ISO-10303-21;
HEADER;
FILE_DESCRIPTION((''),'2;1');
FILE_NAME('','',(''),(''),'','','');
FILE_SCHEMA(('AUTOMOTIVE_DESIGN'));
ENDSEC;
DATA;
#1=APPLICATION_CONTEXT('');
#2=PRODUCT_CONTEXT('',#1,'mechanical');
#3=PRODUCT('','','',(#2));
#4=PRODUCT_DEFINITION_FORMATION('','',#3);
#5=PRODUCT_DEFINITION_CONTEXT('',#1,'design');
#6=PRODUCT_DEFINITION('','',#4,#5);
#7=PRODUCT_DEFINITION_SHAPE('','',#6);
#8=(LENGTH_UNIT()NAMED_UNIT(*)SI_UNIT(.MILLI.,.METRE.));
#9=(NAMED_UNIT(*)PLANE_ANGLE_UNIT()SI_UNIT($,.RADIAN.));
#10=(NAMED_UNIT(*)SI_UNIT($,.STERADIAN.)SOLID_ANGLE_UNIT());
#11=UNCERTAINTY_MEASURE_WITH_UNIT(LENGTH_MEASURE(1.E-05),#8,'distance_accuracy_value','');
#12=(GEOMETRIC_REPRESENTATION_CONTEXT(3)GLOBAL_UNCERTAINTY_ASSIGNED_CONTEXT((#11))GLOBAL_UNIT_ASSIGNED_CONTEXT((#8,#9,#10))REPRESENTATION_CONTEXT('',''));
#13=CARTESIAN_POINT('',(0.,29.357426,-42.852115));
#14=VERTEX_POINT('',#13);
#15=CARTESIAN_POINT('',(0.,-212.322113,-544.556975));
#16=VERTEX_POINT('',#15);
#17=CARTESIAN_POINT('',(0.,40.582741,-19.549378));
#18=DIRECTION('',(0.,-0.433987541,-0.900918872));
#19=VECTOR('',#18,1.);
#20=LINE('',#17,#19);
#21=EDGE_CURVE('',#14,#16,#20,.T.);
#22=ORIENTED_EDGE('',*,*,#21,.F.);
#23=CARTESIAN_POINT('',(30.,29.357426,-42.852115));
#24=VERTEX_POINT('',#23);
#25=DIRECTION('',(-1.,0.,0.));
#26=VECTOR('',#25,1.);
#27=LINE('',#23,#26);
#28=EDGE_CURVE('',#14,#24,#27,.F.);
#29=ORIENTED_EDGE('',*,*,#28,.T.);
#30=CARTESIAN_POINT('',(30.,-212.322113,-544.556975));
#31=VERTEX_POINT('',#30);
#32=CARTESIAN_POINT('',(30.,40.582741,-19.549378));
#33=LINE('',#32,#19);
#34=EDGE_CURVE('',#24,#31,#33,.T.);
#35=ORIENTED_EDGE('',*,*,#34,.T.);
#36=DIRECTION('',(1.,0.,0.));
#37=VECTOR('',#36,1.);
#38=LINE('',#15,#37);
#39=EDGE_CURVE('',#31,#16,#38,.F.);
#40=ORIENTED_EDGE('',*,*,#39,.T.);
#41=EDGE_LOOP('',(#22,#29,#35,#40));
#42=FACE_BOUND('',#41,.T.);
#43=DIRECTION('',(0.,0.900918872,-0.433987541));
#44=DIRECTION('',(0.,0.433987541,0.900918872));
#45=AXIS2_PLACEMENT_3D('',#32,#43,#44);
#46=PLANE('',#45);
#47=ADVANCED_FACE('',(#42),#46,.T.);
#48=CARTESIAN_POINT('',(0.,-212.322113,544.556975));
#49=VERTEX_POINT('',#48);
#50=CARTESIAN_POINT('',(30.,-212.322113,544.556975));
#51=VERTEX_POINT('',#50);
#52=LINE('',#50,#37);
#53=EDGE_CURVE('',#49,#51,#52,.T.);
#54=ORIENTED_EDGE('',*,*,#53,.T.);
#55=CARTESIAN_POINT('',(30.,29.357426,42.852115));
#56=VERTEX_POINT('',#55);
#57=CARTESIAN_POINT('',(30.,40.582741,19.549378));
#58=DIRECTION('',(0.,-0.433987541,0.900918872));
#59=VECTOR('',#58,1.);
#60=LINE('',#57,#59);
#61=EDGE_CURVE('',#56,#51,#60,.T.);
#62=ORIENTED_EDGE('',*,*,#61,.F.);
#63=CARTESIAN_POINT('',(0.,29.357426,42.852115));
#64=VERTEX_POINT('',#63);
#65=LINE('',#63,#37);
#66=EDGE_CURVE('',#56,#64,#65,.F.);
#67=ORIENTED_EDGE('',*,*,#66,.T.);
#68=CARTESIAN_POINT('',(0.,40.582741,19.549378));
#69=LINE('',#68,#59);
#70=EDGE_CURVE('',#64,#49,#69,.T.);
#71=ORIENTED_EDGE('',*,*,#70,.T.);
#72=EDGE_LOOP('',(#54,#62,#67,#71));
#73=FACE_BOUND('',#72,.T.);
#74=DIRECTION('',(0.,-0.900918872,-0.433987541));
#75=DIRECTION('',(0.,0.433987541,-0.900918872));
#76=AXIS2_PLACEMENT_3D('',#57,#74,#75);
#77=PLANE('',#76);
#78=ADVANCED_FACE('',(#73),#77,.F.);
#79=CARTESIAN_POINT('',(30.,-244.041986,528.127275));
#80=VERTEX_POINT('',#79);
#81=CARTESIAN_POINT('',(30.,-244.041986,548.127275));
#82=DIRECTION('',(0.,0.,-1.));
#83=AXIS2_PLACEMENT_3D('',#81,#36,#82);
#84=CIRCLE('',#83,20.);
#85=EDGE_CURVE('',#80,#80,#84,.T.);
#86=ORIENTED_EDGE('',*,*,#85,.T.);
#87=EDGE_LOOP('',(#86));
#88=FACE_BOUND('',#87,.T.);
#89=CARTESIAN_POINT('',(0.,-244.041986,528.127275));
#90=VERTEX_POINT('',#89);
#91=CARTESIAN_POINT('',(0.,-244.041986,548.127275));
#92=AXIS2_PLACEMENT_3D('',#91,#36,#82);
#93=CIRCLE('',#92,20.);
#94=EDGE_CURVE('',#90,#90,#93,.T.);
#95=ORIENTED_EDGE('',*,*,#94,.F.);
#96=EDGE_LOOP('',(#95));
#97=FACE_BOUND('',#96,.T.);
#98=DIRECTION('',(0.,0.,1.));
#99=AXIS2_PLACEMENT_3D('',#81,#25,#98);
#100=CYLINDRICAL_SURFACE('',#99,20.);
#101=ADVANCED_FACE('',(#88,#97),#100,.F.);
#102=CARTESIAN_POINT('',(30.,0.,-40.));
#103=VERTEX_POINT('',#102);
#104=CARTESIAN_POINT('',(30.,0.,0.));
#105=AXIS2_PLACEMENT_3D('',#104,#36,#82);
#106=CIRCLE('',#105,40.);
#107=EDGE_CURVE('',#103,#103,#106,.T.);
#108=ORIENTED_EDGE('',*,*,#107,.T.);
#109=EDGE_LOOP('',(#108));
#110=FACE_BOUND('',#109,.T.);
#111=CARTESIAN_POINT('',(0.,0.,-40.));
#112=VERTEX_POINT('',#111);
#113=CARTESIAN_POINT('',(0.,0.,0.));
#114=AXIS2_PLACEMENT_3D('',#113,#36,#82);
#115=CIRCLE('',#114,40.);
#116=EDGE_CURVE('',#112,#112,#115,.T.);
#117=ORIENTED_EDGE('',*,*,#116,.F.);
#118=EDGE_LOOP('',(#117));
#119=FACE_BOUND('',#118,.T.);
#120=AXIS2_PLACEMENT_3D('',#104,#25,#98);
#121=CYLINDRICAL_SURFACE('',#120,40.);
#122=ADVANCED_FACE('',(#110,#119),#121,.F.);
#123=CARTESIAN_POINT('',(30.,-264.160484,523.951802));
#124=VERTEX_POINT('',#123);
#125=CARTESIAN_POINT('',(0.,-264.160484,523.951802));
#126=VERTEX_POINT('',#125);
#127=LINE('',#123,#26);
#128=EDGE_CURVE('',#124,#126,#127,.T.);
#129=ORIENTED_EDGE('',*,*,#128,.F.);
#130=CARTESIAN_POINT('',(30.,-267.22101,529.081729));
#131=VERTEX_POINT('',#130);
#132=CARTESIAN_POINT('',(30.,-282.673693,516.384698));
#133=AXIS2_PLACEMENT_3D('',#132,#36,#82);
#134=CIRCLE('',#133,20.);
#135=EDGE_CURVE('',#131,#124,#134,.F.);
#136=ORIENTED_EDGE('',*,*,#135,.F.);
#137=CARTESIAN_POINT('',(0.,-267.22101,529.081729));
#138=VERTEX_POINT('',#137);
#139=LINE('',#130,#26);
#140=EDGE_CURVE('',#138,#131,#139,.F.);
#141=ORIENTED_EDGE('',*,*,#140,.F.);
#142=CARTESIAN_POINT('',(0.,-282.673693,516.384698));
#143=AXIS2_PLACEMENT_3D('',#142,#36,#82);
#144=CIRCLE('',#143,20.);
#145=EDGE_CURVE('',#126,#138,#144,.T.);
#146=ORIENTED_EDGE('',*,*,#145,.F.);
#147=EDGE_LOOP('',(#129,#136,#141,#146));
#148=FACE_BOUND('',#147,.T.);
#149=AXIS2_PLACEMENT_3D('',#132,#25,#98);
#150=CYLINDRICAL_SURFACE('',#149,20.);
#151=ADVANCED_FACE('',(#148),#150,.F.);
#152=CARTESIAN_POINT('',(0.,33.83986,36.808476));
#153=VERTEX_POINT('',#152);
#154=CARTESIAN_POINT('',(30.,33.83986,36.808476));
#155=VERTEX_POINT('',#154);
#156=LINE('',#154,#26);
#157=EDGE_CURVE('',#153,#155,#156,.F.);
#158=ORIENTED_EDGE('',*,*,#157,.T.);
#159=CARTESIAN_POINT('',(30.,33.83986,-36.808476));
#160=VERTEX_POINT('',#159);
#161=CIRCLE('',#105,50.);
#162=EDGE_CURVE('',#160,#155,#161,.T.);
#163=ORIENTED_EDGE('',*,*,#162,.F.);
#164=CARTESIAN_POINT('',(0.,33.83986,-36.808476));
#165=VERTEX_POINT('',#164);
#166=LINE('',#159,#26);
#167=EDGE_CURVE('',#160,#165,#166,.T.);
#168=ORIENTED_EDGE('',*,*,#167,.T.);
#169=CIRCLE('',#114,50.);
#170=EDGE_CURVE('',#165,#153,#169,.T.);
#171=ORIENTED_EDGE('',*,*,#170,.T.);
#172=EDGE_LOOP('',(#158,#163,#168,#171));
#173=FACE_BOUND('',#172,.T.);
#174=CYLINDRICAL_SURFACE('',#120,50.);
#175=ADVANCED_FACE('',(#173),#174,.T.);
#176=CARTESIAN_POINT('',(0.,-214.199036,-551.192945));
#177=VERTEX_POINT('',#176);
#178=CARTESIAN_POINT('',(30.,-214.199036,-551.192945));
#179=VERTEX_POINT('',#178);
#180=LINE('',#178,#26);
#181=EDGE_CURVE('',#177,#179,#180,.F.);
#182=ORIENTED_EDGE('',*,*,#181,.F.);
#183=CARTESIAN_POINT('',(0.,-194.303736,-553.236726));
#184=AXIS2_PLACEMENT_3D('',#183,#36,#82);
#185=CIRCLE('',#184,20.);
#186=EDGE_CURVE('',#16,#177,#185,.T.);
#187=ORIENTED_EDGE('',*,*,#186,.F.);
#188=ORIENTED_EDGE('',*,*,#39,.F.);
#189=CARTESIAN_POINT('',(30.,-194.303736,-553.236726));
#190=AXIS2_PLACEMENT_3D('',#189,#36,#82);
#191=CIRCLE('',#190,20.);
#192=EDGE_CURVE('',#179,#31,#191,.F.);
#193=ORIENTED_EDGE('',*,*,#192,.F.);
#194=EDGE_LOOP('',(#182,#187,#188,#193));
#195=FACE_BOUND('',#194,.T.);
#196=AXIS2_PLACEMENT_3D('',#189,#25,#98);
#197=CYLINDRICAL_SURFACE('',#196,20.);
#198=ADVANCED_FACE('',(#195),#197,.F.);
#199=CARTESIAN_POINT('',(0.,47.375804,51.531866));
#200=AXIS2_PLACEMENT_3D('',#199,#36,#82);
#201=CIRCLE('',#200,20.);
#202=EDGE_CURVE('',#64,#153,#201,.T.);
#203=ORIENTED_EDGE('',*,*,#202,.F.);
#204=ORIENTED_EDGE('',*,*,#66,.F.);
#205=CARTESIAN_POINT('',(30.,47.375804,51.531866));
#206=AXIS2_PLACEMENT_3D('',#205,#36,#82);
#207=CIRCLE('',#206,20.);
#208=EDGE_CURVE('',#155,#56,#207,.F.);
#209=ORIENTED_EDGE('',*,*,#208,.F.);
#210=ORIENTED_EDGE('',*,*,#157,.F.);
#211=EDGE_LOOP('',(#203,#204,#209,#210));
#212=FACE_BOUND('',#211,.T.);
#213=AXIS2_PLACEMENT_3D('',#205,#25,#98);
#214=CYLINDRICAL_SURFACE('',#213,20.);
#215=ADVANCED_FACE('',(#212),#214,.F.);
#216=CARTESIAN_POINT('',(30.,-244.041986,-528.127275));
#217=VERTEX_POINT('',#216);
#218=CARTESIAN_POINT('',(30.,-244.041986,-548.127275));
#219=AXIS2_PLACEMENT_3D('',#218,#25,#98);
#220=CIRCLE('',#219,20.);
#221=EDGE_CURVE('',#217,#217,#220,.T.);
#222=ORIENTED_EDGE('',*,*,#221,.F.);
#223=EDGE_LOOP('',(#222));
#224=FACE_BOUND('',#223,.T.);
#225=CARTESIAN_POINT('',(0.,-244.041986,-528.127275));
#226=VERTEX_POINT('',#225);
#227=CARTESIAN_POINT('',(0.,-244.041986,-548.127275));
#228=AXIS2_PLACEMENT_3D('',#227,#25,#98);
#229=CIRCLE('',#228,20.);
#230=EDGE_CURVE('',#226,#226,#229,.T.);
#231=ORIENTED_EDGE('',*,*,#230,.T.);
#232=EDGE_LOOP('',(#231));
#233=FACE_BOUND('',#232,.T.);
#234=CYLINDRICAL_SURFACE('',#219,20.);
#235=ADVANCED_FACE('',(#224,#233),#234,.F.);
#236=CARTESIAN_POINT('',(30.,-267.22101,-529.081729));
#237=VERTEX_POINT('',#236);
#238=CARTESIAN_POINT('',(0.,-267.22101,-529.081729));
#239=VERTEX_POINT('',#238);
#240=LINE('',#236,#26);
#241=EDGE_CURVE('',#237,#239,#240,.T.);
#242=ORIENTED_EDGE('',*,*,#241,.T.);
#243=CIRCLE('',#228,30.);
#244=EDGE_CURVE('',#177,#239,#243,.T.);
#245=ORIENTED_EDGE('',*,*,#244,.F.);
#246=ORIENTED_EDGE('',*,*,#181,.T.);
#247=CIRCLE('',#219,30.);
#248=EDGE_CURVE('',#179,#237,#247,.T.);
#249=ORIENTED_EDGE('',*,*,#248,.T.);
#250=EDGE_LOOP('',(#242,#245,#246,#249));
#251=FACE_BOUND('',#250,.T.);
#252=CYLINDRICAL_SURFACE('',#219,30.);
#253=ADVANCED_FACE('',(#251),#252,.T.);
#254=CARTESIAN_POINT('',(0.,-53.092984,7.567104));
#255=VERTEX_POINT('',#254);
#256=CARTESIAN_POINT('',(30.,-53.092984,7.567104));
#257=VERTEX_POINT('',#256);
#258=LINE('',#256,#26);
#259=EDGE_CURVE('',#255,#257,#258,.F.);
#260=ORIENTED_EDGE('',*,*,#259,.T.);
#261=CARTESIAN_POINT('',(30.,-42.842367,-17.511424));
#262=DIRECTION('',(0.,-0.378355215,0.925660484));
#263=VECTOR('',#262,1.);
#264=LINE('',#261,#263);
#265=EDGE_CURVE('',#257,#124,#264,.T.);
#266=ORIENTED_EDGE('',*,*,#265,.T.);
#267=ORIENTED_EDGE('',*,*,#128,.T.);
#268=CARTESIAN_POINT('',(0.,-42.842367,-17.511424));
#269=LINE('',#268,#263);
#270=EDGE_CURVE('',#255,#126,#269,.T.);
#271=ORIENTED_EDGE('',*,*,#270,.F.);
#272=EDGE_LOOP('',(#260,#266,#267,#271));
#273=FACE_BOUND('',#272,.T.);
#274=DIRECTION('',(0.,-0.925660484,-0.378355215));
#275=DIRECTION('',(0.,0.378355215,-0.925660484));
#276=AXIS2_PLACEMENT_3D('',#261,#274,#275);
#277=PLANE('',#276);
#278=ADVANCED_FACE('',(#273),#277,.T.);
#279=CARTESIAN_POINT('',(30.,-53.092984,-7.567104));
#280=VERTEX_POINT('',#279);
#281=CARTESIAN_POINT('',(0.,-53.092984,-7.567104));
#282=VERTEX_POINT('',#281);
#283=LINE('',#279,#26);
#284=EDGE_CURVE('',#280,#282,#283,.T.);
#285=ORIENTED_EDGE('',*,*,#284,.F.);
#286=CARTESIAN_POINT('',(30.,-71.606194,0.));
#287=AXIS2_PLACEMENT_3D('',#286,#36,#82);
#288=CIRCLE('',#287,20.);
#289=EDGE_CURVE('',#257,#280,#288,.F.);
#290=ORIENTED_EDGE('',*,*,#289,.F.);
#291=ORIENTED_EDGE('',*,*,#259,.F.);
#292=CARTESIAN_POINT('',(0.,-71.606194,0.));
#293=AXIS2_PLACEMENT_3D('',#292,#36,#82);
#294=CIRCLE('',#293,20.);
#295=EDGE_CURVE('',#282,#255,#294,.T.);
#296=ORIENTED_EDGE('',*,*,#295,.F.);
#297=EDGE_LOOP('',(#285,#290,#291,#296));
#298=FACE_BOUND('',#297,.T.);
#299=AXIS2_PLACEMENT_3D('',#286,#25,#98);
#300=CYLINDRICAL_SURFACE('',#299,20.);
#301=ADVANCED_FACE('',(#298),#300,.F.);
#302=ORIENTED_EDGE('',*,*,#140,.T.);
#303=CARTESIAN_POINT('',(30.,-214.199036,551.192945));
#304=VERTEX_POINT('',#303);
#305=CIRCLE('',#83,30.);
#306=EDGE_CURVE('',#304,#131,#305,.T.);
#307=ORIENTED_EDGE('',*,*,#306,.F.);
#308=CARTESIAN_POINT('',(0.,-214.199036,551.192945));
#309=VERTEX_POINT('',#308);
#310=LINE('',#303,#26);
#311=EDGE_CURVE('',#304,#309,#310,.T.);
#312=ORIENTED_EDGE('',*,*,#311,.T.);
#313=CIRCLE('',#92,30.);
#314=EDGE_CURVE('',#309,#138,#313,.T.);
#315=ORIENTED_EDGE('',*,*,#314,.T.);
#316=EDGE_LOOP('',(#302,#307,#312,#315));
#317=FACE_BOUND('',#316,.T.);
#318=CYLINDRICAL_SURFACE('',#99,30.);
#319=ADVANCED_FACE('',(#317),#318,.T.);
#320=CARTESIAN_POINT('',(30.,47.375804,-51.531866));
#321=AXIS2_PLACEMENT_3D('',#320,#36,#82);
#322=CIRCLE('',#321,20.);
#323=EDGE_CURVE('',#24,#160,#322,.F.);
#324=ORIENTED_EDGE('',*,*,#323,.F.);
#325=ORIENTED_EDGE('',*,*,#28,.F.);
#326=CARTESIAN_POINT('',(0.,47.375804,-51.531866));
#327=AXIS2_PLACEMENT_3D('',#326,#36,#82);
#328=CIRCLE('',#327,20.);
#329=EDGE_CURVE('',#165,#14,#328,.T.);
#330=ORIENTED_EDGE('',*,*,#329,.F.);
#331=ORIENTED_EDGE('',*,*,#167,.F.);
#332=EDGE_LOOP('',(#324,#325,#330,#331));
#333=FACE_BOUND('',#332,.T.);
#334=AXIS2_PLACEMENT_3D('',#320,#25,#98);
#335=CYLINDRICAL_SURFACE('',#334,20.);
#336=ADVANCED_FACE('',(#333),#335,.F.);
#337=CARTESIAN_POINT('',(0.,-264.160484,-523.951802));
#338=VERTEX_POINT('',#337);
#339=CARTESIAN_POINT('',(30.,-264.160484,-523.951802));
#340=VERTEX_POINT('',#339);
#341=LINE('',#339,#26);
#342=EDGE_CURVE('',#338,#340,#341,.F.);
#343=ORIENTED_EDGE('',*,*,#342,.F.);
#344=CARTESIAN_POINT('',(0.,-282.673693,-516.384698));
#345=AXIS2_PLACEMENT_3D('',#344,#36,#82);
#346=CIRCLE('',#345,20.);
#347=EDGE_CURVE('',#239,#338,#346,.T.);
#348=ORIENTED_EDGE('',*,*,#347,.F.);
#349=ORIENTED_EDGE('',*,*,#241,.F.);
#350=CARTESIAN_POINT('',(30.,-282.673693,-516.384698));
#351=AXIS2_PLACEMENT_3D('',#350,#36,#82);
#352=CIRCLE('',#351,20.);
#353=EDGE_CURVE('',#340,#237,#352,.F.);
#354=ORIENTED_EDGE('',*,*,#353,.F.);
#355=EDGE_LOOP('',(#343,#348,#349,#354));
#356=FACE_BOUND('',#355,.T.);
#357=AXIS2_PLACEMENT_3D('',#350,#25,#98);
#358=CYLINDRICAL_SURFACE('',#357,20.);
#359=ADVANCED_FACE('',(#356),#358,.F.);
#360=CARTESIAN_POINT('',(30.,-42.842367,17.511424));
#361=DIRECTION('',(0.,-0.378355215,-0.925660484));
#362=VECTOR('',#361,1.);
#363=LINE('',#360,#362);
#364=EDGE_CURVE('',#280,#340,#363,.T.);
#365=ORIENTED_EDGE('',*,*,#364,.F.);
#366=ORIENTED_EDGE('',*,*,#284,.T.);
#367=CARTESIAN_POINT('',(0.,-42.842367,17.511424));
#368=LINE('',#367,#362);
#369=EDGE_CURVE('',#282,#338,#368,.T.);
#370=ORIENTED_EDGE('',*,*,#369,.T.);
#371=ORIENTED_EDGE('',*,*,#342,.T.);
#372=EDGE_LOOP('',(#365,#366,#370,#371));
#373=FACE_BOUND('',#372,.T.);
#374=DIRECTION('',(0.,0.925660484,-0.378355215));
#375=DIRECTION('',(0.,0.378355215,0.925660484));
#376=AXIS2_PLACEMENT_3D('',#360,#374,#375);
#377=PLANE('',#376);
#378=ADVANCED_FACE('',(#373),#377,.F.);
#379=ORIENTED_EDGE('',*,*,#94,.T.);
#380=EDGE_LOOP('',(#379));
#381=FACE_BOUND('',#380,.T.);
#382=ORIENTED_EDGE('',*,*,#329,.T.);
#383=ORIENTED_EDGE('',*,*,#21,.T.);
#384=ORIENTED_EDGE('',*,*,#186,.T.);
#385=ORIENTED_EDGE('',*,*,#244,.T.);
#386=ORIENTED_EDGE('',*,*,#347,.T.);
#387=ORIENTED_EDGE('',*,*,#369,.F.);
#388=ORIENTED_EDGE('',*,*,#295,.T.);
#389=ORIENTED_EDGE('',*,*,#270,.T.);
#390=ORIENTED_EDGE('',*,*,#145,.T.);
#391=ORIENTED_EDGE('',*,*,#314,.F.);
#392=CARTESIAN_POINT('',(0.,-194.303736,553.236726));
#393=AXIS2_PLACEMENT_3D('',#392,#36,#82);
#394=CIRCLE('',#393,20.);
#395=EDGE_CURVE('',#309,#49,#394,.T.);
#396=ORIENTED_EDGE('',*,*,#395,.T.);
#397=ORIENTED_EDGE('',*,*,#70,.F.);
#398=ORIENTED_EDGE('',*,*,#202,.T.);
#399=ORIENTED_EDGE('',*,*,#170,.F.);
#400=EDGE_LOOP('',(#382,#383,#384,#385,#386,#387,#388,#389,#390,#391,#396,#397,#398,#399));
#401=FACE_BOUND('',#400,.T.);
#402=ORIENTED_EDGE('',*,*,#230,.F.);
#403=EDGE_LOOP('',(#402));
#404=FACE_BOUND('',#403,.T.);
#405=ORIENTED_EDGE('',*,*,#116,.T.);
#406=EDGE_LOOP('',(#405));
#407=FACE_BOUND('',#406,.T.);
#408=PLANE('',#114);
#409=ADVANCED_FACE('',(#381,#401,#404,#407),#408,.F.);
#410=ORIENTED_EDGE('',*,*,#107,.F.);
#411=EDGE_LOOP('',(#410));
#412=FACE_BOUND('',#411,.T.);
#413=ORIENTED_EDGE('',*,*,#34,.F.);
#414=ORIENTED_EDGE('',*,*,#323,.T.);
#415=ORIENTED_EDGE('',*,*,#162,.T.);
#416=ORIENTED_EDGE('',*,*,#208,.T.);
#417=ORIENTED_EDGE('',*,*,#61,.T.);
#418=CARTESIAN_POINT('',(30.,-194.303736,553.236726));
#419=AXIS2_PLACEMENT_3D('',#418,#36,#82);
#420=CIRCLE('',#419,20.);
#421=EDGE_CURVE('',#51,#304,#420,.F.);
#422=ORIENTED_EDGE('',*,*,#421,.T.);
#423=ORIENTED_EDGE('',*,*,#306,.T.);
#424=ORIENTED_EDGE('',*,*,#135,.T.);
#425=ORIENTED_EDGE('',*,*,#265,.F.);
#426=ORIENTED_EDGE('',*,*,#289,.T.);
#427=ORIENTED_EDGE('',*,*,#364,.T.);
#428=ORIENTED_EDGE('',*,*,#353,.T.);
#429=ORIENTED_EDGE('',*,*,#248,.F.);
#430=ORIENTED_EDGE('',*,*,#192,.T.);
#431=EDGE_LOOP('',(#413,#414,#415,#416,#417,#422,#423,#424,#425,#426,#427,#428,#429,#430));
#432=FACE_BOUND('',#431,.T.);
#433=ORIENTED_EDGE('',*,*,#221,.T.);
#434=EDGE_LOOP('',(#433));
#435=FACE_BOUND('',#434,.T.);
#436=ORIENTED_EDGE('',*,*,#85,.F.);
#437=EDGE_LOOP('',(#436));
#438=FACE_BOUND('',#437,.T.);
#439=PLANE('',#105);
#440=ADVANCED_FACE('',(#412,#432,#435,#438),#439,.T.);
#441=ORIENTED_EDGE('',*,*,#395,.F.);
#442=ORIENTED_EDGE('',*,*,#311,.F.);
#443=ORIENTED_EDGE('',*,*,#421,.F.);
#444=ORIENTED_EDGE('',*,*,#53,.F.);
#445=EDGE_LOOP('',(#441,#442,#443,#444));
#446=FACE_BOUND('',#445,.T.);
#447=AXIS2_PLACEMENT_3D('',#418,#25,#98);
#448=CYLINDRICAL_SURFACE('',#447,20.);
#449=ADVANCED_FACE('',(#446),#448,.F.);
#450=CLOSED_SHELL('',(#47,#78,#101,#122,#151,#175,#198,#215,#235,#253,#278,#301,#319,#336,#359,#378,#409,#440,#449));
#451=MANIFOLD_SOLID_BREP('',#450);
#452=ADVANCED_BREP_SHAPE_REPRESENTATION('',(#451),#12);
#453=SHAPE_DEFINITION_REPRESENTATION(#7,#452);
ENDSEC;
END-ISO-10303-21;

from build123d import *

# Parameters (mm, degrees)
SKETCH1_R           = 40
SKETCH1_R_2         = 20
BOSS_EXTRUDE1_DEPTH = 30
FILLET1_R           = 20


with BuildPart() as part:
    # Sketch1 → Boss-Extrude1 (new body)
    with BuildSketch(Plane(origin=(0, 0, 0), x_dir=(0, 0, -1), z_dir=(1, 0, 0))):
        with BuildLine():
            Line((548.127274586, -214.041985845), (39.098756603, 31.16548142))
            ThreePointArc((39.098756603, 31.16548142), (0, 50), (-39.098756603, 31.16548142))
            Line((-39.098756603, 31.16548142), (-548.127274586, -214.041985845))
            ThreePointArc((-548.127274586, -214.041985845), (-575.897089096, -255.392642304), (-527.11356629, -265.452825709))
            Line((-527.11356629, -265.452825709), (0, -50))
            Line((0, -50), (527.11356629, -265.452825709))
            ThreePointArc((527.11356629, -265.452825709), (575.897089096, -255.392642304), (548.127274586, -214.041985845))
        make_face()
        Circle(SKETCH1_R, mode=Mode.SUBTRACT)
        with Locations((-548.127274586, -244.041985845)):
            Circle(SKETCH1_R_2, mode=Mode.SUBTRACT)
        with Locations((548.127274586, -244.041985845)):
            Circle(SKETCH1_R_2, mode=Mode.SUBTRACT)
    extrude(amount=BOSS_EXTRUDE1_DEPTH)

    # Fillet1
    fillet1_edges = [part.edges().sort_by_distance(p)[0] for p in [
        (15, -265.452825709, -527.11356629),
        (15, -214.041985845, -548.127274586),
        (15, 31.16548142, -39.098756603),
        (15, -214.041985845, 548.127274586),
        (15, 31.16548142, 39.098756603),
        (15, -50, 0),
        (15, -265.452825709, 527.11356629),
    ]]
    fillet(fillet1_edges, radius=FILLET1_R)


solid = part.part
